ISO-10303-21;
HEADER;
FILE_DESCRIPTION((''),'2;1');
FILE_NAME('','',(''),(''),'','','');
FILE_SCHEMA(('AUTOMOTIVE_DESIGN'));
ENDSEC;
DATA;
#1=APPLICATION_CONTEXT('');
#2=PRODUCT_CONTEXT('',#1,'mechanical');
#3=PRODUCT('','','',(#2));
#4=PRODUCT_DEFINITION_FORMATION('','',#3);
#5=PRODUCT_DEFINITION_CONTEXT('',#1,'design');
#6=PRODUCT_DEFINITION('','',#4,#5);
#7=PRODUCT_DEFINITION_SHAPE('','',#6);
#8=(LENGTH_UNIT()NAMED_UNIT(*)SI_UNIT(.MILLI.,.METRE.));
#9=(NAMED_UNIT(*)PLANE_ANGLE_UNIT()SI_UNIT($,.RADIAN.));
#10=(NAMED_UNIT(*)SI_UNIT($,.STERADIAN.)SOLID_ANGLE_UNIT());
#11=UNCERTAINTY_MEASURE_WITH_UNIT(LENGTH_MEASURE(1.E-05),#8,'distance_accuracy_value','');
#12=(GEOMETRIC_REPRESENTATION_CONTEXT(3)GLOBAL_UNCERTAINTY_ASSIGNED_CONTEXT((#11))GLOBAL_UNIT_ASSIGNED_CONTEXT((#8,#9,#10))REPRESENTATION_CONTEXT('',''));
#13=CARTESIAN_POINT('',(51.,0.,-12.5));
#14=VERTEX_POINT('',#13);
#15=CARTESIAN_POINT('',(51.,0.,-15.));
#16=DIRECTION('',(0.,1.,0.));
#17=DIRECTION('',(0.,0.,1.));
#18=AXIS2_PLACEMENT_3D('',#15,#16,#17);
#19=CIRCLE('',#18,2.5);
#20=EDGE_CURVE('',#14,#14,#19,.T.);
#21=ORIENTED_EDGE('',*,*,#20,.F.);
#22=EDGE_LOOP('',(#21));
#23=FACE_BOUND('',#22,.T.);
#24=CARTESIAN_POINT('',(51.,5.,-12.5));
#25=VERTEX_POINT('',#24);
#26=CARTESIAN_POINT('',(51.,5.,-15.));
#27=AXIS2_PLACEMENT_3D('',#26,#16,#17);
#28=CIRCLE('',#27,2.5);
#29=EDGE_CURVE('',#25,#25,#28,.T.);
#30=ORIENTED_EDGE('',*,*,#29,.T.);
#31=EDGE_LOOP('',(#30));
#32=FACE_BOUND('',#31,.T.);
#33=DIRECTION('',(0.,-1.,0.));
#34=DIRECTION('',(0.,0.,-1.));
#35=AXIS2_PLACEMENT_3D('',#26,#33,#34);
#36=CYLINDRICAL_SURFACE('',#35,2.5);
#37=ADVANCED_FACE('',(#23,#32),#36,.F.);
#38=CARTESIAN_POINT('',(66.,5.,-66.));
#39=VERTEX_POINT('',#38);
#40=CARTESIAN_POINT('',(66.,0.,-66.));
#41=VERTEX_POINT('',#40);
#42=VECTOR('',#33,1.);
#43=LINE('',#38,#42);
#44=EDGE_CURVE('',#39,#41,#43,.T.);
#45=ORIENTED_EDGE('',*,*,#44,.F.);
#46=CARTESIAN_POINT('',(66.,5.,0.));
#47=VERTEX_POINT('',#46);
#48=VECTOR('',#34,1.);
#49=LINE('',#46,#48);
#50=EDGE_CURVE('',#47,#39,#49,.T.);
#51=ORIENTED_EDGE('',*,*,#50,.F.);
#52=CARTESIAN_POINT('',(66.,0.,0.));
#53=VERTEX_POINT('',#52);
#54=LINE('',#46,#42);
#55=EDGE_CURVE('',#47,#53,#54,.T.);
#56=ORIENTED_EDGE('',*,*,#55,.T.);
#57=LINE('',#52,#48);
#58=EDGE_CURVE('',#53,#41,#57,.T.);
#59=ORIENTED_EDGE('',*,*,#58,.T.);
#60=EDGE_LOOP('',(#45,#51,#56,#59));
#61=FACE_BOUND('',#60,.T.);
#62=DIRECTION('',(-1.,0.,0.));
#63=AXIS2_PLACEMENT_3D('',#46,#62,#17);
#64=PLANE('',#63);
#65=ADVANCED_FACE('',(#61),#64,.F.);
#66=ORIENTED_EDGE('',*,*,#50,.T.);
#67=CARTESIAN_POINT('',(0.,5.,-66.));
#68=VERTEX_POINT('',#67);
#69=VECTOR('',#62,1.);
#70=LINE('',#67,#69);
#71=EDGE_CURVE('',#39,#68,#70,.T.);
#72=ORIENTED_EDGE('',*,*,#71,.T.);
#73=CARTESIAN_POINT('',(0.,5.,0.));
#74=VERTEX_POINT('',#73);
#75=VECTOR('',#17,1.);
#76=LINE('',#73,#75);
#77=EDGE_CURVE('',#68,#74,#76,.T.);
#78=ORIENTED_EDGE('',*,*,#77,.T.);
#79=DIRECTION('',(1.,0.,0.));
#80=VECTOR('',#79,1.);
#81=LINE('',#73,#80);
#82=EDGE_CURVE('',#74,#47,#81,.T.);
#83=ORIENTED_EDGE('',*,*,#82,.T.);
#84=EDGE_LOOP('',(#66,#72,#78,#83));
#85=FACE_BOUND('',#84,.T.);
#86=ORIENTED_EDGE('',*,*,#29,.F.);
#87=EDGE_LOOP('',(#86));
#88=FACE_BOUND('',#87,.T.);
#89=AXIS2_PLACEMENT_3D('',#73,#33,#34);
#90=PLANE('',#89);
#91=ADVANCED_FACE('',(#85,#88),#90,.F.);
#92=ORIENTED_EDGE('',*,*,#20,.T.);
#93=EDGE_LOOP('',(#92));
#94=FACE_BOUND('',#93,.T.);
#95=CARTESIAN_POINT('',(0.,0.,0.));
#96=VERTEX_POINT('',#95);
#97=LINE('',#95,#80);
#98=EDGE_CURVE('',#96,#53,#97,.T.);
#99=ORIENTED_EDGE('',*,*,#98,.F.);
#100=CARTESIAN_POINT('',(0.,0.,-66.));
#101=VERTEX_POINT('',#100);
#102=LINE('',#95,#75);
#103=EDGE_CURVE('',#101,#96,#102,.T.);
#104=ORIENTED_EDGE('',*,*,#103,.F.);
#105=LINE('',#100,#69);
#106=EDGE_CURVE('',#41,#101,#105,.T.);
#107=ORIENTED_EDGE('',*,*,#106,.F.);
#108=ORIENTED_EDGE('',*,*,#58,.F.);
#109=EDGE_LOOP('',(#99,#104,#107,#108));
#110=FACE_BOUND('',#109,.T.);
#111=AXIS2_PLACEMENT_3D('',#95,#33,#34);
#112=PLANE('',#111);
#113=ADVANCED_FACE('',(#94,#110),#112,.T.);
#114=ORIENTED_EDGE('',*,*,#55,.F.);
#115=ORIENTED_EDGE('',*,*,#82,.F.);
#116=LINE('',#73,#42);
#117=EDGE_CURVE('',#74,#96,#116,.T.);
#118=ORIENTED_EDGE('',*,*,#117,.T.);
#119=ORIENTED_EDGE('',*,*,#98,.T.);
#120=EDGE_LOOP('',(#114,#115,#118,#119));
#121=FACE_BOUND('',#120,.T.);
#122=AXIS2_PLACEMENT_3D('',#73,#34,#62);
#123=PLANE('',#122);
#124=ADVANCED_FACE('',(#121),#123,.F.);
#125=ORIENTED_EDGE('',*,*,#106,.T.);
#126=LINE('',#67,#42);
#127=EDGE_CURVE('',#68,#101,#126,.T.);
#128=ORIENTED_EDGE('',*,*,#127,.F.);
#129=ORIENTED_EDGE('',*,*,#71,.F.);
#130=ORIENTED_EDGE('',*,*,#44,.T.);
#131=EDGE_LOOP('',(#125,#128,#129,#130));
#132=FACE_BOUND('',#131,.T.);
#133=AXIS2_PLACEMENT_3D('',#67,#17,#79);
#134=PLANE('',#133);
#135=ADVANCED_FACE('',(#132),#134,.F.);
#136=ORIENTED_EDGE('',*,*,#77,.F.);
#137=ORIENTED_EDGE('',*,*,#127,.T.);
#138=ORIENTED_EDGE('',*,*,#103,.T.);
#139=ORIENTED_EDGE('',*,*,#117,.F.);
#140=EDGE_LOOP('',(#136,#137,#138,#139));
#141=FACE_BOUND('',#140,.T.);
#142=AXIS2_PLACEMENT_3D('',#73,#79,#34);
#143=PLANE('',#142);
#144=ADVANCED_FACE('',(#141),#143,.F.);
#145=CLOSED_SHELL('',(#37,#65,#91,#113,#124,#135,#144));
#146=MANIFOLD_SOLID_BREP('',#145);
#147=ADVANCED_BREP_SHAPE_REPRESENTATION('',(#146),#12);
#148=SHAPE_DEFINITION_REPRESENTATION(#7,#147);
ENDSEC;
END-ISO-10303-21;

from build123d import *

# Parameters (mm, degrees)
IZIM1_W                     = 66
IZIM1_H                     = 66
IZIM1_R                     = 2.5
Y_KSEKLIK_EKSTR_ZYON1_DEPTH = 5


with BuildPart() as part:
    # Çizim1 → Yükseklik-Ekstrüzyon1 (new body)
    with BuildSketch(Plane(origin=(0, 0, 0), x_dir=(1, 0, 0), z_dir=(0, 1, 0))):
        with Locations((33, 33)):
            Rectangle(IZIM1_W, IZIM1_H)
        with Locations(Location((51, 15, 0), (0, 0, 270))):
            Circle(IZIM1_R, mode=Mode.SUBTRACT)
    extrude(amount=Y_KSEKLIK_EKSTR_ZYON1_DEPTH)


solid = part.part
